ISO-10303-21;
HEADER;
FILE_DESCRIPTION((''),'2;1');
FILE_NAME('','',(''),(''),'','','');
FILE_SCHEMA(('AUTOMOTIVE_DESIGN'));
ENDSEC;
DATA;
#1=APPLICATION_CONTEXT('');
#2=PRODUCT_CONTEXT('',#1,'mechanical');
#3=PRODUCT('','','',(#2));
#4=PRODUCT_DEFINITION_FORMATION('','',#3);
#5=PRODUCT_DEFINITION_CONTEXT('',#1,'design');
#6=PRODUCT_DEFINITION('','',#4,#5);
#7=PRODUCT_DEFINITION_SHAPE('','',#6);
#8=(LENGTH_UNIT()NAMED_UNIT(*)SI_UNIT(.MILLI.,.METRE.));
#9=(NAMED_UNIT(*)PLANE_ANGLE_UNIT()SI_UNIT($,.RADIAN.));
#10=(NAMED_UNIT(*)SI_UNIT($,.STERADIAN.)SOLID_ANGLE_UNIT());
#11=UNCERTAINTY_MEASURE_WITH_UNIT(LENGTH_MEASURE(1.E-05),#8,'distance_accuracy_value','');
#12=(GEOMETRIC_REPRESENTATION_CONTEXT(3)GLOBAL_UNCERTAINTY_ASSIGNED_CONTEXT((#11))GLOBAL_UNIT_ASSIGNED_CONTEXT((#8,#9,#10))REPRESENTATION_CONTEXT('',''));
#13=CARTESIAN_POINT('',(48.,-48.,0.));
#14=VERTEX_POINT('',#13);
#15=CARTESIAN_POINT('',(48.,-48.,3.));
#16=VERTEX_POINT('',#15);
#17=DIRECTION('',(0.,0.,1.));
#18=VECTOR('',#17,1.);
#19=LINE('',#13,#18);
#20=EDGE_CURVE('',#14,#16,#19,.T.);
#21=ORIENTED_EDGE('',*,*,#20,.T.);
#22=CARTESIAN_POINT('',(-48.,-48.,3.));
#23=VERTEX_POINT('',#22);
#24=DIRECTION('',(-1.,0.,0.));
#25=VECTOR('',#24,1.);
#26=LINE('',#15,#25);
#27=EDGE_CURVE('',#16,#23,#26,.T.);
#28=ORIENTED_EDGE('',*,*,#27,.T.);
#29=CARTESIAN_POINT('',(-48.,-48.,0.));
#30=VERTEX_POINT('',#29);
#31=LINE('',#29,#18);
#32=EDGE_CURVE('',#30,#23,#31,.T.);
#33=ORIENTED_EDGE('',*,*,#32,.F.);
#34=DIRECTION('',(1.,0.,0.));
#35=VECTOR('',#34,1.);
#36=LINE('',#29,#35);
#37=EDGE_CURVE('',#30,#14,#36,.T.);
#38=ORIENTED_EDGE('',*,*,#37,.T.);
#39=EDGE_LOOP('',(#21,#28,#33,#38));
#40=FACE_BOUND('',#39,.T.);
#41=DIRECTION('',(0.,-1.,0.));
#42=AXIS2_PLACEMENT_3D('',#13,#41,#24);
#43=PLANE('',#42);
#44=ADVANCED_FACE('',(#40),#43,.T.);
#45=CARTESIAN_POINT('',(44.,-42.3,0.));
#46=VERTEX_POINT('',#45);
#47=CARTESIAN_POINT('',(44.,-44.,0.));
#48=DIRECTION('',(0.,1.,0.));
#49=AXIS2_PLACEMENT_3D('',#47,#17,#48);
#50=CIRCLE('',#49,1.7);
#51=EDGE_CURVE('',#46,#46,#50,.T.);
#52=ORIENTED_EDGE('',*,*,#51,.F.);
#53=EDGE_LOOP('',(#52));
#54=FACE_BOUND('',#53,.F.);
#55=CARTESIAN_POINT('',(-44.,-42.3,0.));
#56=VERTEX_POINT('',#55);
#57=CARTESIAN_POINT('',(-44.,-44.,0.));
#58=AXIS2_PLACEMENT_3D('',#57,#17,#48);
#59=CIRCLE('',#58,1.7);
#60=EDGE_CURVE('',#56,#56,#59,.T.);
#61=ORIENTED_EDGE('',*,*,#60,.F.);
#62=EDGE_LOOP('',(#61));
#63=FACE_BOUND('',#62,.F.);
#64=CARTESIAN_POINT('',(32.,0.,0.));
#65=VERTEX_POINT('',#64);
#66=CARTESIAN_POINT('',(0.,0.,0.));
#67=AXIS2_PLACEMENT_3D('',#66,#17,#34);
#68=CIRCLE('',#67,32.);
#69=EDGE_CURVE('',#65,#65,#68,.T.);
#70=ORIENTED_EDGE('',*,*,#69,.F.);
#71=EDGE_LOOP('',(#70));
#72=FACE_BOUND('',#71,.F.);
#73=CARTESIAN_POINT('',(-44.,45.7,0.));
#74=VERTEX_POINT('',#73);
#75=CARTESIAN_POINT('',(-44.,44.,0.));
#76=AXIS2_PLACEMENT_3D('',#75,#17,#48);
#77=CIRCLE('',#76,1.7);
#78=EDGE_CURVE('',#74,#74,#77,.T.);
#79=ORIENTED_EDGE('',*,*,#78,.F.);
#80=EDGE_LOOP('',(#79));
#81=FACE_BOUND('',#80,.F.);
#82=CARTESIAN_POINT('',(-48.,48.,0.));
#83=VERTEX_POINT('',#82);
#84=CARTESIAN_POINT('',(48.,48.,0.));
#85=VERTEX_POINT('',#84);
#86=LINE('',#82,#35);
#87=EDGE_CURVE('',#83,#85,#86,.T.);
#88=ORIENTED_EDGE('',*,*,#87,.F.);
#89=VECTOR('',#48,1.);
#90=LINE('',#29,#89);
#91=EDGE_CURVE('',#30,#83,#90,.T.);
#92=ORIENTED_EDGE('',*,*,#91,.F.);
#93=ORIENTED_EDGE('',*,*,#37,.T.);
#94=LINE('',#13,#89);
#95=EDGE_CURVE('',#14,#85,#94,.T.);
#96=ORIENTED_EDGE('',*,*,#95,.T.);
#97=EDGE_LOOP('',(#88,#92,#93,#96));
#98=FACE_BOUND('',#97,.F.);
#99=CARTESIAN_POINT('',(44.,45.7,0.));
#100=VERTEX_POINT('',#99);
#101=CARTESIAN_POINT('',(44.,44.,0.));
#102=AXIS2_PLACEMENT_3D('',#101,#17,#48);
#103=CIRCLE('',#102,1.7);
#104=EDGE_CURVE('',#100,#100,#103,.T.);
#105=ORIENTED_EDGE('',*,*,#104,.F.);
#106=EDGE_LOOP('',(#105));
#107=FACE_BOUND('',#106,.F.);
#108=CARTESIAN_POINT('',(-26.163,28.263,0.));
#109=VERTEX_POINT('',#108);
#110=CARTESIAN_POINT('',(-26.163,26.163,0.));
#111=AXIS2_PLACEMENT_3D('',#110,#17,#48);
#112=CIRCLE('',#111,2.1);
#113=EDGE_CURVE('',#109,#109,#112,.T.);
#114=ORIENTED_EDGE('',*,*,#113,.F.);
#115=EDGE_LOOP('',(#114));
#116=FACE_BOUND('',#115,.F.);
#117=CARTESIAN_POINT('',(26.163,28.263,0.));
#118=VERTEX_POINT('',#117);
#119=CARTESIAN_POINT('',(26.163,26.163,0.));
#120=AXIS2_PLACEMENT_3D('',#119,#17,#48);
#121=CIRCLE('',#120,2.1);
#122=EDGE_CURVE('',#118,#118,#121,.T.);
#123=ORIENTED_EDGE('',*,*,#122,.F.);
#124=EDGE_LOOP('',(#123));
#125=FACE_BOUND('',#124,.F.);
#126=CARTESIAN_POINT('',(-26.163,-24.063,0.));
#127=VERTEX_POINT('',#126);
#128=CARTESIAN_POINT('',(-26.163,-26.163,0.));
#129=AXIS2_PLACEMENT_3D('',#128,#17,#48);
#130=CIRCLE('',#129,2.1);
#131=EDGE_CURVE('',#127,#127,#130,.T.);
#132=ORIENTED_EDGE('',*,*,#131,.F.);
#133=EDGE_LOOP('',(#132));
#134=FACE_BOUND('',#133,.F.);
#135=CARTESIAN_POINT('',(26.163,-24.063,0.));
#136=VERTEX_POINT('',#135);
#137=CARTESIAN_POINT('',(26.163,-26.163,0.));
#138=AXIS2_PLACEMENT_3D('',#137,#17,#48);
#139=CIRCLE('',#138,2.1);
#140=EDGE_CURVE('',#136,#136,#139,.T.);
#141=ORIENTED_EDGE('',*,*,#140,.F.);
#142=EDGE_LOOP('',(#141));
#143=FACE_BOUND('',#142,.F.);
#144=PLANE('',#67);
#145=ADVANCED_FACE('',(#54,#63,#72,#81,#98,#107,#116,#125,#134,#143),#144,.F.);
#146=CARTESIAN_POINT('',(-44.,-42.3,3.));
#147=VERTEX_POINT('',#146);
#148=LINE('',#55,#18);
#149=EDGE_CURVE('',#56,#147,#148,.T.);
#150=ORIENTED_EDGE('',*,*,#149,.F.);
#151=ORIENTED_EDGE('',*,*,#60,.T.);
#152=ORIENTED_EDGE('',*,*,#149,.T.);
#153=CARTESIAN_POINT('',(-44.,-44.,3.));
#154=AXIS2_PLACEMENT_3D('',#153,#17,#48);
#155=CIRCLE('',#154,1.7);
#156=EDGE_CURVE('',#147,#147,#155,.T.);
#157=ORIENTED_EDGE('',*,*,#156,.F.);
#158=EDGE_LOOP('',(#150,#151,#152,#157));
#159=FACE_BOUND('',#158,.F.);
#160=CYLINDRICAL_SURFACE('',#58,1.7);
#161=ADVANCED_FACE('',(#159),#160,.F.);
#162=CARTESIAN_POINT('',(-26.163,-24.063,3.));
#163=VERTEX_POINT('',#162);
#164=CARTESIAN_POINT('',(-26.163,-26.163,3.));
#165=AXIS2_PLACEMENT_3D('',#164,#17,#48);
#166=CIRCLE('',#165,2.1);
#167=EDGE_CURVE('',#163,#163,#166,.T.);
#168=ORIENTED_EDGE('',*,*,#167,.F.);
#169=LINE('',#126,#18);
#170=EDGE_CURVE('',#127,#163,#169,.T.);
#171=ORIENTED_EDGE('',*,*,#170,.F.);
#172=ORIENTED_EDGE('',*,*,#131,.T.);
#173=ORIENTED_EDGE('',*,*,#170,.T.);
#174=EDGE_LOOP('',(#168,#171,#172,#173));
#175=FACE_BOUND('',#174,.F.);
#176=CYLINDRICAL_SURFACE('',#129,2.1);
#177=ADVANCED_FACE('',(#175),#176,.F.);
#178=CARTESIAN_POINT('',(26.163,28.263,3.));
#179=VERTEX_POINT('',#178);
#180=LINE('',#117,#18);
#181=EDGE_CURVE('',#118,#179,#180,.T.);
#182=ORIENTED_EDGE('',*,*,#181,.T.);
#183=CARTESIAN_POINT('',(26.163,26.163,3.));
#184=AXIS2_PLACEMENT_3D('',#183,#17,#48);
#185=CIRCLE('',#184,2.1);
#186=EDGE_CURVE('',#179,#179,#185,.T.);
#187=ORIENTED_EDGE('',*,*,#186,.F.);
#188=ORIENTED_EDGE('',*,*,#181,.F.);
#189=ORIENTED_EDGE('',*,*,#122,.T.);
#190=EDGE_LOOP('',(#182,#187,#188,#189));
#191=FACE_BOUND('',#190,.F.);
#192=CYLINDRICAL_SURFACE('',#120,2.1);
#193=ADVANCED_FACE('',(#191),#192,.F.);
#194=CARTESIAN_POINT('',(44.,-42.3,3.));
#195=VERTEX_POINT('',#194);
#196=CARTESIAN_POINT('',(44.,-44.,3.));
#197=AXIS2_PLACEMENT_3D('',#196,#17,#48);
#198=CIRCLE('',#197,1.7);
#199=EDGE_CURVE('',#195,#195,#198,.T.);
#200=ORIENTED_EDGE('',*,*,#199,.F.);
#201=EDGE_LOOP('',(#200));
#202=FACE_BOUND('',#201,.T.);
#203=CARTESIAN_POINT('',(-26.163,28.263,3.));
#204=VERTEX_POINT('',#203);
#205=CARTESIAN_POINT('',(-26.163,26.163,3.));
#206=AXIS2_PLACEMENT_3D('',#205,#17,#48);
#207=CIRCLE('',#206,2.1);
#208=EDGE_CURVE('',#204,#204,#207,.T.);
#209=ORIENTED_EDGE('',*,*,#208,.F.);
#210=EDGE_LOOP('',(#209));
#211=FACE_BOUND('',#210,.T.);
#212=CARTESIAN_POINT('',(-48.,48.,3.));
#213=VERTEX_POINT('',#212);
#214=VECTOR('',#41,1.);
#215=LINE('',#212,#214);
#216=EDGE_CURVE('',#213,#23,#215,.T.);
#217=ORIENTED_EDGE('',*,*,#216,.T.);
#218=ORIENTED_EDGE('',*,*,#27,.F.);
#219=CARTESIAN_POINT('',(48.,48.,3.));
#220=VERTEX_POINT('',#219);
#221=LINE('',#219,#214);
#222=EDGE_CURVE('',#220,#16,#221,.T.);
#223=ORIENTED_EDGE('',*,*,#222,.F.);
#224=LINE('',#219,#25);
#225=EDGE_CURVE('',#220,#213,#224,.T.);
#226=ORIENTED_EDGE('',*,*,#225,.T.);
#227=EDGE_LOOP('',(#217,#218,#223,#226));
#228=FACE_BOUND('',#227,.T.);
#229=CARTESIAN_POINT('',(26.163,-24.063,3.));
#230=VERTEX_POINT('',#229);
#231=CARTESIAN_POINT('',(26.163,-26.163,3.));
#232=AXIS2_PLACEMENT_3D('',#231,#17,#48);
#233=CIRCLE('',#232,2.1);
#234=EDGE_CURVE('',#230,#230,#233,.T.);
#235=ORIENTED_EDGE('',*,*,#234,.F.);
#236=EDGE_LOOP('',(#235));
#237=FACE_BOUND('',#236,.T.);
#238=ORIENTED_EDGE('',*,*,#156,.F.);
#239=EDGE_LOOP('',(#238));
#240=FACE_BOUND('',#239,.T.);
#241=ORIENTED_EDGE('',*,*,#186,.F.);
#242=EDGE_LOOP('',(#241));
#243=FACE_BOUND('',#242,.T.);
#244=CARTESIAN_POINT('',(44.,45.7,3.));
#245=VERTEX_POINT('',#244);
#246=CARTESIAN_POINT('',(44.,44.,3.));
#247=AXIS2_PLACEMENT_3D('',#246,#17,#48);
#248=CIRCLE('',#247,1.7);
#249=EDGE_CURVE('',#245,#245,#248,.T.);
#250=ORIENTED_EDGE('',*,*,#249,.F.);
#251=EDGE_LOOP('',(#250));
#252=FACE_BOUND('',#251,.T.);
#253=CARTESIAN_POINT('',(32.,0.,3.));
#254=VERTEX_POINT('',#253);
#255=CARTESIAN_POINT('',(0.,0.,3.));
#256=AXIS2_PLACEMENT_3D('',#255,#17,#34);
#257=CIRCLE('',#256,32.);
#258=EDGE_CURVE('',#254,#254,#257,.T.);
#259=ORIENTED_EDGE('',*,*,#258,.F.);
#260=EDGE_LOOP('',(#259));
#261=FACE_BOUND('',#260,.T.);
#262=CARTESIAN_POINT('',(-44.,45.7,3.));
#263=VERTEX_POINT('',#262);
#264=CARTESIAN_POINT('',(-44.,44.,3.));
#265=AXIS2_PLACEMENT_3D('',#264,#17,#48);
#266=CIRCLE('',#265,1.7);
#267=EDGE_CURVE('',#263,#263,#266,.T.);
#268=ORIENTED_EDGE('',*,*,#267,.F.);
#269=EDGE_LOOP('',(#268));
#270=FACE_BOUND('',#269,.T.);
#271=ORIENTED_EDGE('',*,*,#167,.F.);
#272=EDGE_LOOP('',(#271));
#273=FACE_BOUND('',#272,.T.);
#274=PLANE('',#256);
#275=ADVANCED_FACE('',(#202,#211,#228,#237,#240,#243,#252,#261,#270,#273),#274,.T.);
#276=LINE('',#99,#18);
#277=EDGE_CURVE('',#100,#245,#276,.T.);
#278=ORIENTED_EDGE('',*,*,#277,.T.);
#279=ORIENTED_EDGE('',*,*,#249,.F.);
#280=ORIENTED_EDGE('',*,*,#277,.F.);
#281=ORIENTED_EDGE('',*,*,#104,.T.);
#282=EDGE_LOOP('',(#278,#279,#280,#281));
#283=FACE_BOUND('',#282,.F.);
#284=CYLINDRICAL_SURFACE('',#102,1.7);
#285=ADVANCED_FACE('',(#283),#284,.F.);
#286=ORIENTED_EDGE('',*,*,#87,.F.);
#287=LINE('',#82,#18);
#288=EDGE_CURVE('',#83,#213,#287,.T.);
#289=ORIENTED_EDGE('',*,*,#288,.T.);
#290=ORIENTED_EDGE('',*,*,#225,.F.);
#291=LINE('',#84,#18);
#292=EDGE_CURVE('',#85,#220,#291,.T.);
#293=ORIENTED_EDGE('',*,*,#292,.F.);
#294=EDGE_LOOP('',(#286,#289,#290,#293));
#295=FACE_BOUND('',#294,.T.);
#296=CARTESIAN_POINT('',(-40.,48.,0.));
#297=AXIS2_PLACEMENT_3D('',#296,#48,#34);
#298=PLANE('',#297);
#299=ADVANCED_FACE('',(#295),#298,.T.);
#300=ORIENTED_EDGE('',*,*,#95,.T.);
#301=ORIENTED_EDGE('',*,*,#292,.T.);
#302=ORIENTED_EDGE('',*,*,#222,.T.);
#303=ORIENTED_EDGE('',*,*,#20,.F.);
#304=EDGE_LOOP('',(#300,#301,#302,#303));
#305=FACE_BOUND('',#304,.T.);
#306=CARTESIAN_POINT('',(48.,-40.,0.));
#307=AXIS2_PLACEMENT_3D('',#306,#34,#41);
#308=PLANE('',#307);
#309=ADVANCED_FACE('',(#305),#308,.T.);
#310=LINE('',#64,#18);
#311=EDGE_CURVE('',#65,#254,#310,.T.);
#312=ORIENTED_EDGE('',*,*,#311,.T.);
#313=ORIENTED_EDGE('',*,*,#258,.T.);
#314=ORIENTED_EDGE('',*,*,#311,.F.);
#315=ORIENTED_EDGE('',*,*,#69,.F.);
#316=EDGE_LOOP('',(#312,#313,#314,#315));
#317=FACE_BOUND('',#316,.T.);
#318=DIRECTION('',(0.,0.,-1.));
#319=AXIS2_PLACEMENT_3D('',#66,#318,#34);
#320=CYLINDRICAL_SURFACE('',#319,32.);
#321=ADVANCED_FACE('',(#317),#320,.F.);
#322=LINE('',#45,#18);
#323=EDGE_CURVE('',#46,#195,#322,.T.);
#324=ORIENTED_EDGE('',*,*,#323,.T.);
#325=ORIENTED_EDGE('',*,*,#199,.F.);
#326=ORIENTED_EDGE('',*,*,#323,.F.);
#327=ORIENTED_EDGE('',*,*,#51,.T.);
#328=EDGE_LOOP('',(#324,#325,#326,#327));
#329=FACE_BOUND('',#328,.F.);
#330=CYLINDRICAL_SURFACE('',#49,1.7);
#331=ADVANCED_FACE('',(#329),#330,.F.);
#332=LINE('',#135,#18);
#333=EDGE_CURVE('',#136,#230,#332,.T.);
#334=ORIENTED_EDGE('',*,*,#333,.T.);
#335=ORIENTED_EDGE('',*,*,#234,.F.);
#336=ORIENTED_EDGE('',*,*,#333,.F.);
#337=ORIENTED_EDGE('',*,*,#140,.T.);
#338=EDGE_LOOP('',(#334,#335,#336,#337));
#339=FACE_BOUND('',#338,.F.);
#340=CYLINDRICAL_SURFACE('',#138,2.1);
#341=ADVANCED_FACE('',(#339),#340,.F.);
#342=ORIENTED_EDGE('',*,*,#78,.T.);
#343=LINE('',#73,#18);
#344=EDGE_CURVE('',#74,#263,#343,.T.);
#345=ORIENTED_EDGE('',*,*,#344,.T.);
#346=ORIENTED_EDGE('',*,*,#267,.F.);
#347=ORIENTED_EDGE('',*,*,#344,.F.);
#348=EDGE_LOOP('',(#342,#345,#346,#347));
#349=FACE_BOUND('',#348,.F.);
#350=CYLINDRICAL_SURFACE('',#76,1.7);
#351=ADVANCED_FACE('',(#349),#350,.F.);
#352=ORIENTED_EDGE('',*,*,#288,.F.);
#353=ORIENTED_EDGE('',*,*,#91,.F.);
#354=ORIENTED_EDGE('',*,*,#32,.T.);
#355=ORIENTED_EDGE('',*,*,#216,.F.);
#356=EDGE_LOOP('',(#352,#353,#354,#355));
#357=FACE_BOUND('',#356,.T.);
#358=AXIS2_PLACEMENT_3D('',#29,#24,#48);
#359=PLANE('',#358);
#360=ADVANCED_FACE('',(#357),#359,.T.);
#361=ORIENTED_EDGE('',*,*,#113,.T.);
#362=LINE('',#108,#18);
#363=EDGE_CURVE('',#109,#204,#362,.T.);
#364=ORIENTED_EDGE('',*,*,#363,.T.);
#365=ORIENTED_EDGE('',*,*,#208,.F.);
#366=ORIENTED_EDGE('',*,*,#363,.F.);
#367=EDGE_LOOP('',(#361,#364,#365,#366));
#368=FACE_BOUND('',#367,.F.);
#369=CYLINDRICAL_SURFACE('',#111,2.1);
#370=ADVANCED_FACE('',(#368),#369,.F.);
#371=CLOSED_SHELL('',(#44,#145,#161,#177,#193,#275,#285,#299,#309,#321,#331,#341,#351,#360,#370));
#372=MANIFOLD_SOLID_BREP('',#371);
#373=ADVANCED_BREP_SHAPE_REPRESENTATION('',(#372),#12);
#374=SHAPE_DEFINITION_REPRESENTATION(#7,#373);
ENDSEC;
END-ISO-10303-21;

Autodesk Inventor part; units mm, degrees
ref_plane "YZ Plane" through (0, 0, 0) normal (1, 0, 0) x (0, 1, 0)
ref_plane "XZ Plane" through (0, 0, 0) normal (0, 1, 0) x (-1, 0, 0)
ref_plane "XY Plane" through (0, 0, 0) normal (0, 0, 1) x (1, 0, 0)
sketch "Skizze1" plane through (0, 0, 0) normal (0, 0, 1) x (1, 0, 0)
  line L0 (48, -48) -> (-48, -48)
  line L1 (-48, -48) -> (-48, 48)
  line L2 (-48, 48) -> (48, 48)
  line L3 (48, 48) -> (48, -48)
  line L4 (48, -48) -> (-48, 48) construction
  line L5 (-48, -48) -> (48, 48) construction
  circle A0 centre (0, 0) radius 32
  circle A1 centre (0, 0) radius 37 construction
  line L6 (-40, 40) -> (-48, 40)
  line L7 (-48, 40) -> (-48, 48)
  line L8 (-48, 48) -> (-40, 48)
  line L9 (-40, 48) -> (-40, 40)
  line L10 (-40, 40) -> (-48, 48) construction
  line L11 (-48, 40) -> (-40, 48) construction
  line L12 (-40, -40) -> (-48, -40)
  line L13 (-48, -40) -> (-48, -48)
  line L14 (-48, -48) -> (-40, -48)
  line L15 (-40, -48) -> (-40, -40)
  line L16 (-40, -40) -> (-48, -48) construction
  line L17 (-48, -40) -> (-40, -48) construction
  line L18 (40, -40) -> (48, -40)
  line L19 (48, -40) -> (48, -48)
  line L20 (48, -48) -> (40, -48)
  line L21 (40, -48) -> (40, -40)
  line L22 (40, -40) -> (48, -48) construction
  line L23 (48, -40) -> (40, -48) construction
  line L24 (40, 40) -> (48, 40)
  line L25 (48, 40) -> (48, 48)
  line L26 (48, 48) -> (40, 48)
  line L27 (40, 48) -> (40, 40)
  line L28 (40, 40) -> (48, 48) construction
  line L29 (48, 40) -> (40, 48) construction
  point P0 (-26.163, 26.163)
  point P1 (26.163, 26.163)
  point P2 (26.163, -26.163)
  point P3 (-26.163, -26.163)
  point P4 (-44, 44)
  point P5 (-44, -44)
  point P6 (44, -44)
  point P7 (44, 44)
  point P8 (-44, 44)
  point P9 (44, 44)
  point P10 (-44, -44)
  point P11 (44, -44)
  dimension "d0" = 96
  dimension "d1" = 96
  dimension "d41" = 64
  dimension "d42" = 74
  dimension "d43" = 8
  dimension "d44" = 8
extrude "Extrusion1" add sketch "Skizze1" along normal blind 3
hole "Bohrung2" at (-44, 44, 0) at (44, 44, 0) at (-44, -44, 0) at (44, -44, 0) direction (0, 0, 1) diameter 3.4 end through all
hole "Bohrung3" at (-26.163, 26.163, 0) at (26.163, 26.163, 0) at (26.163, -26.163, 0) at (-26.163, -26.163, 0) direction (0, 0, 1) diameter 4.2 end through all
equation "\"d0\" = d1"
properties part number "DayLightGlow_SpeakerBase"
